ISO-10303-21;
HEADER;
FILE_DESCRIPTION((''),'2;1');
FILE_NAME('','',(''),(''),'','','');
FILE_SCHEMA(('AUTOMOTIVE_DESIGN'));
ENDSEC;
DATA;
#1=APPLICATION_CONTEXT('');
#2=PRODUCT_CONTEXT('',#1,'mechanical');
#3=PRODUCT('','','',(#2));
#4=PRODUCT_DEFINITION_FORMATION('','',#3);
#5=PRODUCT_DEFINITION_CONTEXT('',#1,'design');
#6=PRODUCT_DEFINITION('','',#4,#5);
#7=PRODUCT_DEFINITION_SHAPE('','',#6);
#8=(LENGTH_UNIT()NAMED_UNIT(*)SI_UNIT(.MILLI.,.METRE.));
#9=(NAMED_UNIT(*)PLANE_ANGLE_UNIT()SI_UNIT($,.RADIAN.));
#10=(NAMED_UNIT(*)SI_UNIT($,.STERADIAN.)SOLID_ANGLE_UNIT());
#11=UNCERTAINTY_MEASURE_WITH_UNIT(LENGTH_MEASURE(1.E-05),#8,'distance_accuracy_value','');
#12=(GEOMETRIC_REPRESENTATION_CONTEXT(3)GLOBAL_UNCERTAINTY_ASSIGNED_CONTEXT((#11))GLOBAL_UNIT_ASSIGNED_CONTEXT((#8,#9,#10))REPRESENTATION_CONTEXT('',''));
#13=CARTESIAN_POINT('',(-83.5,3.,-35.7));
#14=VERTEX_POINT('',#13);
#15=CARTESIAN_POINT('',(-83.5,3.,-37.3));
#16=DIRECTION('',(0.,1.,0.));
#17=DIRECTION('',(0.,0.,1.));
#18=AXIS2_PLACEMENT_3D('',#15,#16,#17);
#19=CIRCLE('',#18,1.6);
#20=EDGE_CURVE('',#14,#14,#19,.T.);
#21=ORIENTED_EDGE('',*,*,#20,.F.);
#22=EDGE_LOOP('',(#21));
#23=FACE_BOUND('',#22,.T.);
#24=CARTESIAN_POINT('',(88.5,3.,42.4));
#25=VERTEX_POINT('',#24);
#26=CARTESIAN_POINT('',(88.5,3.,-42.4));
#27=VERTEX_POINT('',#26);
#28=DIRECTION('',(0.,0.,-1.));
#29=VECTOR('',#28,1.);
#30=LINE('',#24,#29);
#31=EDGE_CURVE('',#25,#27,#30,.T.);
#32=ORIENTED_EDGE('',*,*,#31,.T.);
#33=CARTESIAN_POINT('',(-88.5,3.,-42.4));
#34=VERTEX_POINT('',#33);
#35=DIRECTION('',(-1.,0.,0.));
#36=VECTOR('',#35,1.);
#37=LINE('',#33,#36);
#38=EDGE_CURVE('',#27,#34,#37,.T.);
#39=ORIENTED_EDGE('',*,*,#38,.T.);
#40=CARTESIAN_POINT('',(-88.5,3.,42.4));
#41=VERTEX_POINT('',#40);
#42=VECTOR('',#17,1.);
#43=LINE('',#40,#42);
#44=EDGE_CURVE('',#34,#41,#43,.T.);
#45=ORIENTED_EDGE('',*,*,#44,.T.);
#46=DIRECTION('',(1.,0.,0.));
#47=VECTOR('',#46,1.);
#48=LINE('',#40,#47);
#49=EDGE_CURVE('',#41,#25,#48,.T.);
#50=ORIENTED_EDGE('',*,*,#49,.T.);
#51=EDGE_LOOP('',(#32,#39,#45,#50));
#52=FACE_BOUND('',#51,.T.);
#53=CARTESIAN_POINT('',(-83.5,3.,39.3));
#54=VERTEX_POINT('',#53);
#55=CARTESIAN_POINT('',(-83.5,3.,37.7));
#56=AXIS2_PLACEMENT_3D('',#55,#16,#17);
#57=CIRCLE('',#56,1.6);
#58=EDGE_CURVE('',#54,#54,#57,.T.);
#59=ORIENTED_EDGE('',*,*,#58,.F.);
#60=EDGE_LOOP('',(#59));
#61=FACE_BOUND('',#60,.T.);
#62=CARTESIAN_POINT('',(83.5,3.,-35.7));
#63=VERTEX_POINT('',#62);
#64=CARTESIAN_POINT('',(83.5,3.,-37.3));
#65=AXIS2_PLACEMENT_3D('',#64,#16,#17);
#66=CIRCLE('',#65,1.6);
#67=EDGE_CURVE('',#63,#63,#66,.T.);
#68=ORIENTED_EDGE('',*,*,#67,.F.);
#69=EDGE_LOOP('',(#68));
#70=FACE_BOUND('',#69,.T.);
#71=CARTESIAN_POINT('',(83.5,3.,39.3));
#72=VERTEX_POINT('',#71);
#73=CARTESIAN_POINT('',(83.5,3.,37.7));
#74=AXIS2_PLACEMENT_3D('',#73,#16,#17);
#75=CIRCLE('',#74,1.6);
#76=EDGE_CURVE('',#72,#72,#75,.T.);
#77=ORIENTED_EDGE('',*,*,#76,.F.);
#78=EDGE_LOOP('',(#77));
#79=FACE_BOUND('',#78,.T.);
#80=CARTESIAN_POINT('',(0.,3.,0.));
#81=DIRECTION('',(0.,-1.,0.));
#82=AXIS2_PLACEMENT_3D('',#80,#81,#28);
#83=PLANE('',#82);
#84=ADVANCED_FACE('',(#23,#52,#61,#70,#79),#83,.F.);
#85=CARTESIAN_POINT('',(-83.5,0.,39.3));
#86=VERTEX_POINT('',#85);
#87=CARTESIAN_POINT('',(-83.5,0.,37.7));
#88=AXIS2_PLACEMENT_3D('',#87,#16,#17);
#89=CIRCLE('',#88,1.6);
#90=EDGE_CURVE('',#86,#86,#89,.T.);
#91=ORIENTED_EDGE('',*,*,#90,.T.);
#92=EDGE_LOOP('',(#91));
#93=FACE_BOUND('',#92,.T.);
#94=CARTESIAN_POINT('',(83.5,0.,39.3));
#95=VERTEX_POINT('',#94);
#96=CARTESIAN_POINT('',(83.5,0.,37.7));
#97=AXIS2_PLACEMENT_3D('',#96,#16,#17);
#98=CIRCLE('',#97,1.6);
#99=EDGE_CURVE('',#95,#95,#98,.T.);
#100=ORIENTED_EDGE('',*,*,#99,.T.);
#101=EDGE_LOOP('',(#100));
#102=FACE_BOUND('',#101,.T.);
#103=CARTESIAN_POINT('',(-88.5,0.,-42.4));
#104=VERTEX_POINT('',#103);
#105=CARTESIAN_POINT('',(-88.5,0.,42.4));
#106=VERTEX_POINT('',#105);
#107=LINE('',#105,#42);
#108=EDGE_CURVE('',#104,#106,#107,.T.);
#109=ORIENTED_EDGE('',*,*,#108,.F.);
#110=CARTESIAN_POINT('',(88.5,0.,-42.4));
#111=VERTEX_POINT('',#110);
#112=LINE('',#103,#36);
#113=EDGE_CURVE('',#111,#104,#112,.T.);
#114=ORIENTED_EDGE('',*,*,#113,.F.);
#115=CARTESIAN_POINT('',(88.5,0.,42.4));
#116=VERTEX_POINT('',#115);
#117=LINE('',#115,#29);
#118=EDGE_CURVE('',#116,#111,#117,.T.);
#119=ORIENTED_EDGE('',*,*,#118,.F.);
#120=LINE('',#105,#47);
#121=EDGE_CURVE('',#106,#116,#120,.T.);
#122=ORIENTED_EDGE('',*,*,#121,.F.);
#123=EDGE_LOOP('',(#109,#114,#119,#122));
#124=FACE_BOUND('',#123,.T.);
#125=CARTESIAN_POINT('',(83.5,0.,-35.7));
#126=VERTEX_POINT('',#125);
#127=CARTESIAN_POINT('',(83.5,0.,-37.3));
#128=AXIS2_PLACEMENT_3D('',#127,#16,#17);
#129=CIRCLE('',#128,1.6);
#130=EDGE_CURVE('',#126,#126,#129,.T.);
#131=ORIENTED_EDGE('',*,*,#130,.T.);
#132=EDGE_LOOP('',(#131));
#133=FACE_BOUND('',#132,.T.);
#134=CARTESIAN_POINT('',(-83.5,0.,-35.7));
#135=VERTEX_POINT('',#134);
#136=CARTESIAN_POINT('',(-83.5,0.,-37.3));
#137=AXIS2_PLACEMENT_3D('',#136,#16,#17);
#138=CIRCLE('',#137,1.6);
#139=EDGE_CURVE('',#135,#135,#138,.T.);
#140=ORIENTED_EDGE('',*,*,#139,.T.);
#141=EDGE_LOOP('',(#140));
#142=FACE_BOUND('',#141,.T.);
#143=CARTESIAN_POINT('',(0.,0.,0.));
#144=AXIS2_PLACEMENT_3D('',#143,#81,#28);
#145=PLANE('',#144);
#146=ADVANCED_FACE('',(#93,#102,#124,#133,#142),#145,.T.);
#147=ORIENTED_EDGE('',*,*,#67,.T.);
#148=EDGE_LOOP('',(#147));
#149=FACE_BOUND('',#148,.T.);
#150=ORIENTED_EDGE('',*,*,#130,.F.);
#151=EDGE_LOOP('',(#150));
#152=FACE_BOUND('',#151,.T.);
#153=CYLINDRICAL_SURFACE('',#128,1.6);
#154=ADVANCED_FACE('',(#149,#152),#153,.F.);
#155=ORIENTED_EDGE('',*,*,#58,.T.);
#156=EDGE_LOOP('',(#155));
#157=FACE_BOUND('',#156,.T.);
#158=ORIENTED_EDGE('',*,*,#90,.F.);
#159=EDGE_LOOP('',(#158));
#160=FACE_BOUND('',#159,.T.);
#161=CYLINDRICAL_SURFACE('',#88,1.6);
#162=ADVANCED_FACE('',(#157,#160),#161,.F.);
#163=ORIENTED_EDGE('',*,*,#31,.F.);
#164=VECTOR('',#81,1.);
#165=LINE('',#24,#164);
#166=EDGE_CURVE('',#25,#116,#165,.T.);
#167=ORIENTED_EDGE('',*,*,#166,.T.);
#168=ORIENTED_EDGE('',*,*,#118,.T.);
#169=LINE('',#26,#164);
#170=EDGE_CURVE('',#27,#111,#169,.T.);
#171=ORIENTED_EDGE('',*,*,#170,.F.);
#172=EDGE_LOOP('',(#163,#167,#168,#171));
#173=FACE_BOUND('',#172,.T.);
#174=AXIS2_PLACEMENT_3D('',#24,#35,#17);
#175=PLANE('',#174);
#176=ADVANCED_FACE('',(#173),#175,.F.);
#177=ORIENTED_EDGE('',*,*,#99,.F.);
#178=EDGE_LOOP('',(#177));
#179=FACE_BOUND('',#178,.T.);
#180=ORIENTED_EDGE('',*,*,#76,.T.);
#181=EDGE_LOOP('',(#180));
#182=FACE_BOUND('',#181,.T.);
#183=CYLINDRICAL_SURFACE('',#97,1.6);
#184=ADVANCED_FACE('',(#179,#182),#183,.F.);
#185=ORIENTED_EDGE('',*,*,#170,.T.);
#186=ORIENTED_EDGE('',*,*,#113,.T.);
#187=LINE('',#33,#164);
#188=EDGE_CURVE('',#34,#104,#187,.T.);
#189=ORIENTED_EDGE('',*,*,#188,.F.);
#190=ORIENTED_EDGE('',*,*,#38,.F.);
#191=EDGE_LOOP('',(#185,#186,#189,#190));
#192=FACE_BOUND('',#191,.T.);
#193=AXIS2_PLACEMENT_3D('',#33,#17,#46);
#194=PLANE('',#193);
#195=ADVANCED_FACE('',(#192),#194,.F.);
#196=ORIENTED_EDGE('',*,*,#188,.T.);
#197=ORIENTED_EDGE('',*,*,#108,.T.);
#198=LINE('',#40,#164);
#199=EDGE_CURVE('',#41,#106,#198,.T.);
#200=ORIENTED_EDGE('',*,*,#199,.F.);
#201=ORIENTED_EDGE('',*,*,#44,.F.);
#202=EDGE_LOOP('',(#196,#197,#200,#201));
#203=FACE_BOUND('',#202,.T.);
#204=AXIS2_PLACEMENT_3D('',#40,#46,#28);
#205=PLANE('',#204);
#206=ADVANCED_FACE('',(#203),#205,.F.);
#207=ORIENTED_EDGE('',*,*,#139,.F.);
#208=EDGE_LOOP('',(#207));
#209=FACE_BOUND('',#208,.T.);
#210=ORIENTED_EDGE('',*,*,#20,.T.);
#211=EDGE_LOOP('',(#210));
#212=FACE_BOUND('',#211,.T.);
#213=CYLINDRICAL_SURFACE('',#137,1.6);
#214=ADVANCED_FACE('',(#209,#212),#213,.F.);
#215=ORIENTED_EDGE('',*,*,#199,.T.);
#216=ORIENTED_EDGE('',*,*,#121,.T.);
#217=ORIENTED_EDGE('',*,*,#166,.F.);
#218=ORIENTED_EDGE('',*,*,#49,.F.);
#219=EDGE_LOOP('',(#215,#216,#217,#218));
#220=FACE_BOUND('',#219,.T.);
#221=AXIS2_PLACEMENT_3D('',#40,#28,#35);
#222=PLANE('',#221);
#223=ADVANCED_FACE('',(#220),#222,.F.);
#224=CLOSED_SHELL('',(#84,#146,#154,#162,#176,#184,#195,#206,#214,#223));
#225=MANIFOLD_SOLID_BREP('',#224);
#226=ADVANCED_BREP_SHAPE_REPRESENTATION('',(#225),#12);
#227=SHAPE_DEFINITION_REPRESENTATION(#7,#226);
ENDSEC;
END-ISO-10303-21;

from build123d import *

# Parameters (mm, degrees)
SKETCH1_W           = 177
SKETCH1_H           = 84.8
BOSS_EXTRUDE1_DEPTH = 3
SKETCH2_R           = 1.6
CUT_EXTRUDE1_DEPTH  = 4


with BuildPart() as part:
    # Sketch1 → Boss-Extrude1 (new body)
    with BuildSketch(Plane(origin=(0, 0, 0), x_dir=(1, 0, 0), z_dir=(0, 1, 0))):
        Rectangle(SKETCH1_W, SKETCH1_H)
    extrude(amount=BOSS_EXTRUDE1_DEPTH)

    # Sketch2 → Cut-Extrude1 (cut, through all)
    with BuildSketch(Plane(origin=(0, 3, 0), x_dir=(1, 0, 0), z_dir=(0, 1, 0))):
        with Locations((83.5, -37.7)):
            Circle(SKETCH2_R)
        with Locations((83.5, 37.3)):
            Circle(SKETCH2_R)
        with Locations((-83.5, 37.3)):
            Circle(SKETCH2_R)
        with Locations((-83.5, -37.7)):
            Circle(SKETCH2_R)
    extrude(amount=-CUT_EXTRUDE1_DEPTH, mode=Mode.SUBTRACT)


solid = part.part
